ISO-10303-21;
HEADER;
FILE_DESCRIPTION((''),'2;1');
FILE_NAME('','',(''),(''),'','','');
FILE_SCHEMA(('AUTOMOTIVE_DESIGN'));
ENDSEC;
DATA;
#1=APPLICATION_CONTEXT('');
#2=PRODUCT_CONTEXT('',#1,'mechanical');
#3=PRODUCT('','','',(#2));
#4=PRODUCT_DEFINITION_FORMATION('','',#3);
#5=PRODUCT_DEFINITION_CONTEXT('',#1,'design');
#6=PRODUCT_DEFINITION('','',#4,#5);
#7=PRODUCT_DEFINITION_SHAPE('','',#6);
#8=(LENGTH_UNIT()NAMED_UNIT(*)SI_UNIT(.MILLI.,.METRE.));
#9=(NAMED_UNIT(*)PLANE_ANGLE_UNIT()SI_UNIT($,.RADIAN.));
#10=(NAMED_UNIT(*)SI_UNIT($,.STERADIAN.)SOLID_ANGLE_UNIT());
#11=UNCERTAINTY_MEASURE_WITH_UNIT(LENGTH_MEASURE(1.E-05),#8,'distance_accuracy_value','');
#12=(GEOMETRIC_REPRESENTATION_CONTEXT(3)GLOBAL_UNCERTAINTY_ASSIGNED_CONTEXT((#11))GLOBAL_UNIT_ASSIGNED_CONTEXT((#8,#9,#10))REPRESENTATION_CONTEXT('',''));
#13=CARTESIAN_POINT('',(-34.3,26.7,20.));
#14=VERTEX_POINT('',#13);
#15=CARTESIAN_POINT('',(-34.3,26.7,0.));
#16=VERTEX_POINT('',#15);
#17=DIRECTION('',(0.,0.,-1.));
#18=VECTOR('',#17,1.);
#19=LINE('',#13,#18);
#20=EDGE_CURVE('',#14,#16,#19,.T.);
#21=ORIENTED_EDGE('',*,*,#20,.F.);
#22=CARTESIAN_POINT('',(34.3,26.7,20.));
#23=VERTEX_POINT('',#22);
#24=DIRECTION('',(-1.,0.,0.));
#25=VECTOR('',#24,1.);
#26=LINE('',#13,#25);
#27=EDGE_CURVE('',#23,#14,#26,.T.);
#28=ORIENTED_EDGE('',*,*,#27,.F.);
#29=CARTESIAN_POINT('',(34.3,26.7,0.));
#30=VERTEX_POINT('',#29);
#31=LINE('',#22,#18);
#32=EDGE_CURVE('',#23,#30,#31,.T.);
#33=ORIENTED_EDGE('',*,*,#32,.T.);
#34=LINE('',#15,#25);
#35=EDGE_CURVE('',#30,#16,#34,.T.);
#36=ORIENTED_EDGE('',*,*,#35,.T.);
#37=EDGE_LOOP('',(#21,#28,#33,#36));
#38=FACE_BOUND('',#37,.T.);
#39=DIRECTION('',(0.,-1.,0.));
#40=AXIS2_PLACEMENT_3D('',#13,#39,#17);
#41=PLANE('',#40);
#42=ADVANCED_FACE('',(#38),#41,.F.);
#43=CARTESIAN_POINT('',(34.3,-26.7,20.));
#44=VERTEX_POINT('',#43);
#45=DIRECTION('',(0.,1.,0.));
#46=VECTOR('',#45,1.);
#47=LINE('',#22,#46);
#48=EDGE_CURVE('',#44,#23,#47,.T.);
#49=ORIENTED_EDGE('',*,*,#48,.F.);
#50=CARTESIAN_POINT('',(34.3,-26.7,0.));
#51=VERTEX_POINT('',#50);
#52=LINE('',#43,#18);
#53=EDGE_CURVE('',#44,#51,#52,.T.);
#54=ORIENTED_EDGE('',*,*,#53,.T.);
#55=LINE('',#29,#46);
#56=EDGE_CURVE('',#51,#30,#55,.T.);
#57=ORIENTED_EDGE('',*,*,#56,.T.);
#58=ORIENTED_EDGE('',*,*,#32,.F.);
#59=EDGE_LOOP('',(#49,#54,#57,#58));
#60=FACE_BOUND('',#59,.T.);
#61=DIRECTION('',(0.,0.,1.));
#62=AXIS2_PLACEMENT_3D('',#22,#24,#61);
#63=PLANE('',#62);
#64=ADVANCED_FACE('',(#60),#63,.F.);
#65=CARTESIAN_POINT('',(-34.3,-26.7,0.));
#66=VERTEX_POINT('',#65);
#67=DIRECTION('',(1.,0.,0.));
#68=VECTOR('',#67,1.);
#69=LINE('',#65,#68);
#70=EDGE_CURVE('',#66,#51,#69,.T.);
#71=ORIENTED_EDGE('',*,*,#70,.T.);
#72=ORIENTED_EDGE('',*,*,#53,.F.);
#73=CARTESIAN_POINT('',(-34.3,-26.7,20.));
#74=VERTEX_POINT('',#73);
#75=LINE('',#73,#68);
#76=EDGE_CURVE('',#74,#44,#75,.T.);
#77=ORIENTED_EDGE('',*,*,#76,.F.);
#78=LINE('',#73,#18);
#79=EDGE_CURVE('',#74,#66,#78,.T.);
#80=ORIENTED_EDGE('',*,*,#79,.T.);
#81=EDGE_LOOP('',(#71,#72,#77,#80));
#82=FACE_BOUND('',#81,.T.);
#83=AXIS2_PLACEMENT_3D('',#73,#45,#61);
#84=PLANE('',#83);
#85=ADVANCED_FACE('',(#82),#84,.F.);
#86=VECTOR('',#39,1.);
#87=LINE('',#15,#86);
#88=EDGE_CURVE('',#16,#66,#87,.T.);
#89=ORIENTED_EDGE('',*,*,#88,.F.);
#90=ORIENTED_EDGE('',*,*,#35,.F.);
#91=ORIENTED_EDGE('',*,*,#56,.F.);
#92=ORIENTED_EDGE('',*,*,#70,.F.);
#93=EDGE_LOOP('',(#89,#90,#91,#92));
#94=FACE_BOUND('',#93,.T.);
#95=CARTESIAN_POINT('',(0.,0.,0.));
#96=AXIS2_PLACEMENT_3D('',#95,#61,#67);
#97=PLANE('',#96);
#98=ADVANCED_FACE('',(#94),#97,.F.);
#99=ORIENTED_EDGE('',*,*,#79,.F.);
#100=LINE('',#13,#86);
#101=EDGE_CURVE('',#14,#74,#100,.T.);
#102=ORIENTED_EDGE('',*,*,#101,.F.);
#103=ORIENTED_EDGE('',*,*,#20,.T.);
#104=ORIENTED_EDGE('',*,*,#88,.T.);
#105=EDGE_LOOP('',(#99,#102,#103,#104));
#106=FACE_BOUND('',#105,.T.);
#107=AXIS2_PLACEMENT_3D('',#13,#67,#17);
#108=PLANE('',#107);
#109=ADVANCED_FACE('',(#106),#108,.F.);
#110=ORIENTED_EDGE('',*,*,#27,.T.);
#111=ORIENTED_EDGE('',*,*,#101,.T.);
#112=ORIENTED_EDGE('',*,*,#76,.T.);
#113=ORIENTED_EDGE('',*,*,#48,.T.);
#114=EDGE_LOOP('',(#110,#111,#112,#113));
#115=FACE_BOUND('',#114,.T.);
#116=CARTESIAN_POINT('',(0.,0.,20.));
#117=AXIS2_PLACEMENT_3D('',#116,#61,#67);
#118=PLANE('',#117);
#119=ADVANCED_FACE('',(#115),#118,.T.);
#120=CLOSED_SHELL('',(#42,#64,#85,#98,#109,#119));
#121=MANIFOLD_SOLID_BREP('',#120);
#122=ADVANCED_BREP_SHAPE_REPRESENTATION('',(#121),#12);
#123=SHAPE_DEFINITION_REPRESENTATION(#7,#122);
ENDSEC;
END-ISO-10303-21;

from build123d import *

# Parameters (mm, degrees)
SKETCH1_W           = 68.6
SKETCH1_H           = 53.4
BOSS_EXTRUDE1_DEPTH = 20


with BuildPart() as part:
    # Sketch1 → Boss-Extrude1 (new body)
    with BuildSketch(Plane.XY):
        Rectangle(SKETCH1_W, SKETCH1_H)
    extrude(amount=BOSS_EXTRUDE1_DEPTH)


solid = part.part
